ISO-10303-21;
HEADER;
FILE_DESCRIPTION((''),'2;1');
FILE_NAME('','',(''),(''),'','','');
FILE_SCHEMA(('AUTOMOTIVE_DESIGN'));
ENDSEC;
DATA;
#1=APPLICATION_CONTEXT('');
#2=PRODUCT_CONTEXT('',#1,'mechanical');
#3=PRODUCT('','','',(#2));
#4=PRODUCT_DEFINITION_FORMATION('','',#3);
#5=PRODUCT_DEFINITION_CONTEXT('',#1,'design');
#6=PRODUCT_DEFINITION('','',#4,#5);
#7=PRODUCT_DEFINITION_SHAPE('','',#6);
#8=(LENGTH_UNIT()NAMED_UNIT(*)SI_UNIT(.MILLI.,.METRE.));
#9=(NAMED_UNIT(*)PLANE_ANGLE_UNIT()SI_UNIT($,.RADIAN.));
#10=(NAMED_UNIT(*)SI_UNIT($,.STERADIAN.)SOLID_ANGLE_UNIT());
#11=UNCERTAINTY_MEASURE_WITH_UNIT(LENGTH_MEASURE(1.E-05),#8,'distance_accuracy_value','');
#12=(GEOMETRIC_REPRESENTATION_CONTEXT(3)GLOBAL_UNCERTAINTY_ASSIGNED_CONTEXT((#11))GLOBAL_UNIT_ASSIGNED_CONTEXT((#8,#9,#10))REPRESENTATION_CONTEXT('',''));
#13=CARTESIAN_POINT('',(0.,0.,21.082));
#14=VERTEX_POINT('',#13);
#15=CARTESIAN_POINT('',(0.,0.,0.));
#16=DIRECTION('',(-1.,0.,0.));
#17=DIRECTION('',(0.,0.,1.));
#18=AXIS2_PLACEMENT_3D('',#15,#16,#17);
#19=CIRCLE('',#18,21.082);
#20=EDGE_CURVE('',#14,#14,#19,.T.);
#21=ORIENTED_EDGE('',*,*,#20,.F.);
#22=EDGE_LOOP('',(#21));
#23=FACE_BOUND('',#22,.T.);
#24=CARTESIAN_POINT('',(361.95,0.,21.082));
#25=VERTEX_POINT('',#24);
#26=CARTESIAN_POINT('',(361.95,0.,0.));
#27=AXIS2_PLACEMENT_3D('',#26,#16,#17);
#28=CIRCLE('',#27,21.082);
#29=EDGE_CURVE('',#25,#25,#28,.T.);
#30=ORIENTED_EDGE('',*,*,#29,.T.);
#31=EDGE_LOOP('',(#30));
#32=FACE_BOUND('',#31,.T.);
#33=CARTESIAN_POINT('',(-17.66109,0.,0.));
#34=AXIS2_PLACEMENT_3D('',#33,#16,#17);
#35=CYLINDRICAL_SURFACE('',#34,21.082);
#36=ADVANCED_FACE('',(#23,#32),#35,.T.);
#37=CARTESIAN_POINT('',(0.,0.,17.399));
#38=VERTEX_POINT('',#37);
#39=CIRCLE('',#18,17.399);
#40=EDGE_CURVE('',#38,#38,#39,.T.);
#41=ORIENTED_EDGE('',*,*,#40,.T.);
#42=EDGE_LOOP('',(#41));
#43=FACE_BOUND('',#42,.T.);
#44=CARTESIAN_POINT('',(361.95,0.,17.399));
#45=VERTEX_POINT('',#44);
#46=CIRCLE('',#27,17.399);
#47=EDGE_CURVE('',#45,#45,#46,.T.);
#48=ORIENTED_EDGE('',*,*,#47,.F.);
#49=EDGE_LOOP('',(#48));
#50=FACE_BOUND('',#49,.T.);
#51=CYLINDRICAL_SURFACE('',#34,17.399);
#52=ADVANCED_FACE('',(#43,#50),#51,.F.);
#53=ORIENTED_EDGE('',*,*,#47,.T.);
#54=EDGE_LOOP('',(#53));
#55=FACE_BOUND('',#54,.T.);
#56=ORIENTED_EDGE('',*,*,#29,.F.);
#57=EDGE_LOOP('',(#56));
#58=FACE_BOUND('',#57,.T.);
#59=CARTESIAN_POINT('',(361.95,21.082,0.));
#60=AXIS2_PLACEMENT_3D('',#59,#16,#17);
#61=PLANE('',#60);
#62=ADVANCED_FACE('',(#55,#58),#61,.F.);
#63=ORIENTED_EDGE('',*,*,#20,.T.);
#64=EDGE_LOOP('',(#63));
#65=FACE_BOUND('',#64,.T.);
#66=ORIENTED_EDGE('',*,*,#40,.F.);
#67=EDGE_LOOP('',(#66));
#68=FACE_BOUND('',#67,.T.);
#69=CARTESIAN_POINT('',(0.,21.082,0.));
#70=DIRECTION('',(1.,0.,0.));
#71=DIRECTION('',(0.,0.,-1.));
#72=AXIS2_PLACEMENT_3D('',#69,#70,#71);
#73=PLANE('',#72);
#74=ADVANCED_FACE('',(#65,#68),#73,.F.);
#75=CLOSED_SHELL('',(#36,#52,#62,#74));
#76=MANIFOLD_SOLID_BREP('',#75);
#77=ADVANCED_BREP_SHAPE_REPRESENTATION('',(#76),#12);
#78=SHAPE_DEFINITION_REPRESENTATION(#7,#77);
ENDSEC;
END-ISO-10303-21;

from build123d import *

# Parameters (mm, degrees)
SKETCH1_W = 361.95
SKETCH1_H = 3.683


with BuildPart() as part:
    # Sketch1 → Revolve1 (revolve)
    with BuildSketch(Plane.XY):
        with Locations((180.975, 19.2405)):
            Rectangle(SKETCH1_W, SKETCH1_H)
    revolve(axis=Axis((-17.661090008, 0, 0), (1, 0, 0)))


solid = part.part
